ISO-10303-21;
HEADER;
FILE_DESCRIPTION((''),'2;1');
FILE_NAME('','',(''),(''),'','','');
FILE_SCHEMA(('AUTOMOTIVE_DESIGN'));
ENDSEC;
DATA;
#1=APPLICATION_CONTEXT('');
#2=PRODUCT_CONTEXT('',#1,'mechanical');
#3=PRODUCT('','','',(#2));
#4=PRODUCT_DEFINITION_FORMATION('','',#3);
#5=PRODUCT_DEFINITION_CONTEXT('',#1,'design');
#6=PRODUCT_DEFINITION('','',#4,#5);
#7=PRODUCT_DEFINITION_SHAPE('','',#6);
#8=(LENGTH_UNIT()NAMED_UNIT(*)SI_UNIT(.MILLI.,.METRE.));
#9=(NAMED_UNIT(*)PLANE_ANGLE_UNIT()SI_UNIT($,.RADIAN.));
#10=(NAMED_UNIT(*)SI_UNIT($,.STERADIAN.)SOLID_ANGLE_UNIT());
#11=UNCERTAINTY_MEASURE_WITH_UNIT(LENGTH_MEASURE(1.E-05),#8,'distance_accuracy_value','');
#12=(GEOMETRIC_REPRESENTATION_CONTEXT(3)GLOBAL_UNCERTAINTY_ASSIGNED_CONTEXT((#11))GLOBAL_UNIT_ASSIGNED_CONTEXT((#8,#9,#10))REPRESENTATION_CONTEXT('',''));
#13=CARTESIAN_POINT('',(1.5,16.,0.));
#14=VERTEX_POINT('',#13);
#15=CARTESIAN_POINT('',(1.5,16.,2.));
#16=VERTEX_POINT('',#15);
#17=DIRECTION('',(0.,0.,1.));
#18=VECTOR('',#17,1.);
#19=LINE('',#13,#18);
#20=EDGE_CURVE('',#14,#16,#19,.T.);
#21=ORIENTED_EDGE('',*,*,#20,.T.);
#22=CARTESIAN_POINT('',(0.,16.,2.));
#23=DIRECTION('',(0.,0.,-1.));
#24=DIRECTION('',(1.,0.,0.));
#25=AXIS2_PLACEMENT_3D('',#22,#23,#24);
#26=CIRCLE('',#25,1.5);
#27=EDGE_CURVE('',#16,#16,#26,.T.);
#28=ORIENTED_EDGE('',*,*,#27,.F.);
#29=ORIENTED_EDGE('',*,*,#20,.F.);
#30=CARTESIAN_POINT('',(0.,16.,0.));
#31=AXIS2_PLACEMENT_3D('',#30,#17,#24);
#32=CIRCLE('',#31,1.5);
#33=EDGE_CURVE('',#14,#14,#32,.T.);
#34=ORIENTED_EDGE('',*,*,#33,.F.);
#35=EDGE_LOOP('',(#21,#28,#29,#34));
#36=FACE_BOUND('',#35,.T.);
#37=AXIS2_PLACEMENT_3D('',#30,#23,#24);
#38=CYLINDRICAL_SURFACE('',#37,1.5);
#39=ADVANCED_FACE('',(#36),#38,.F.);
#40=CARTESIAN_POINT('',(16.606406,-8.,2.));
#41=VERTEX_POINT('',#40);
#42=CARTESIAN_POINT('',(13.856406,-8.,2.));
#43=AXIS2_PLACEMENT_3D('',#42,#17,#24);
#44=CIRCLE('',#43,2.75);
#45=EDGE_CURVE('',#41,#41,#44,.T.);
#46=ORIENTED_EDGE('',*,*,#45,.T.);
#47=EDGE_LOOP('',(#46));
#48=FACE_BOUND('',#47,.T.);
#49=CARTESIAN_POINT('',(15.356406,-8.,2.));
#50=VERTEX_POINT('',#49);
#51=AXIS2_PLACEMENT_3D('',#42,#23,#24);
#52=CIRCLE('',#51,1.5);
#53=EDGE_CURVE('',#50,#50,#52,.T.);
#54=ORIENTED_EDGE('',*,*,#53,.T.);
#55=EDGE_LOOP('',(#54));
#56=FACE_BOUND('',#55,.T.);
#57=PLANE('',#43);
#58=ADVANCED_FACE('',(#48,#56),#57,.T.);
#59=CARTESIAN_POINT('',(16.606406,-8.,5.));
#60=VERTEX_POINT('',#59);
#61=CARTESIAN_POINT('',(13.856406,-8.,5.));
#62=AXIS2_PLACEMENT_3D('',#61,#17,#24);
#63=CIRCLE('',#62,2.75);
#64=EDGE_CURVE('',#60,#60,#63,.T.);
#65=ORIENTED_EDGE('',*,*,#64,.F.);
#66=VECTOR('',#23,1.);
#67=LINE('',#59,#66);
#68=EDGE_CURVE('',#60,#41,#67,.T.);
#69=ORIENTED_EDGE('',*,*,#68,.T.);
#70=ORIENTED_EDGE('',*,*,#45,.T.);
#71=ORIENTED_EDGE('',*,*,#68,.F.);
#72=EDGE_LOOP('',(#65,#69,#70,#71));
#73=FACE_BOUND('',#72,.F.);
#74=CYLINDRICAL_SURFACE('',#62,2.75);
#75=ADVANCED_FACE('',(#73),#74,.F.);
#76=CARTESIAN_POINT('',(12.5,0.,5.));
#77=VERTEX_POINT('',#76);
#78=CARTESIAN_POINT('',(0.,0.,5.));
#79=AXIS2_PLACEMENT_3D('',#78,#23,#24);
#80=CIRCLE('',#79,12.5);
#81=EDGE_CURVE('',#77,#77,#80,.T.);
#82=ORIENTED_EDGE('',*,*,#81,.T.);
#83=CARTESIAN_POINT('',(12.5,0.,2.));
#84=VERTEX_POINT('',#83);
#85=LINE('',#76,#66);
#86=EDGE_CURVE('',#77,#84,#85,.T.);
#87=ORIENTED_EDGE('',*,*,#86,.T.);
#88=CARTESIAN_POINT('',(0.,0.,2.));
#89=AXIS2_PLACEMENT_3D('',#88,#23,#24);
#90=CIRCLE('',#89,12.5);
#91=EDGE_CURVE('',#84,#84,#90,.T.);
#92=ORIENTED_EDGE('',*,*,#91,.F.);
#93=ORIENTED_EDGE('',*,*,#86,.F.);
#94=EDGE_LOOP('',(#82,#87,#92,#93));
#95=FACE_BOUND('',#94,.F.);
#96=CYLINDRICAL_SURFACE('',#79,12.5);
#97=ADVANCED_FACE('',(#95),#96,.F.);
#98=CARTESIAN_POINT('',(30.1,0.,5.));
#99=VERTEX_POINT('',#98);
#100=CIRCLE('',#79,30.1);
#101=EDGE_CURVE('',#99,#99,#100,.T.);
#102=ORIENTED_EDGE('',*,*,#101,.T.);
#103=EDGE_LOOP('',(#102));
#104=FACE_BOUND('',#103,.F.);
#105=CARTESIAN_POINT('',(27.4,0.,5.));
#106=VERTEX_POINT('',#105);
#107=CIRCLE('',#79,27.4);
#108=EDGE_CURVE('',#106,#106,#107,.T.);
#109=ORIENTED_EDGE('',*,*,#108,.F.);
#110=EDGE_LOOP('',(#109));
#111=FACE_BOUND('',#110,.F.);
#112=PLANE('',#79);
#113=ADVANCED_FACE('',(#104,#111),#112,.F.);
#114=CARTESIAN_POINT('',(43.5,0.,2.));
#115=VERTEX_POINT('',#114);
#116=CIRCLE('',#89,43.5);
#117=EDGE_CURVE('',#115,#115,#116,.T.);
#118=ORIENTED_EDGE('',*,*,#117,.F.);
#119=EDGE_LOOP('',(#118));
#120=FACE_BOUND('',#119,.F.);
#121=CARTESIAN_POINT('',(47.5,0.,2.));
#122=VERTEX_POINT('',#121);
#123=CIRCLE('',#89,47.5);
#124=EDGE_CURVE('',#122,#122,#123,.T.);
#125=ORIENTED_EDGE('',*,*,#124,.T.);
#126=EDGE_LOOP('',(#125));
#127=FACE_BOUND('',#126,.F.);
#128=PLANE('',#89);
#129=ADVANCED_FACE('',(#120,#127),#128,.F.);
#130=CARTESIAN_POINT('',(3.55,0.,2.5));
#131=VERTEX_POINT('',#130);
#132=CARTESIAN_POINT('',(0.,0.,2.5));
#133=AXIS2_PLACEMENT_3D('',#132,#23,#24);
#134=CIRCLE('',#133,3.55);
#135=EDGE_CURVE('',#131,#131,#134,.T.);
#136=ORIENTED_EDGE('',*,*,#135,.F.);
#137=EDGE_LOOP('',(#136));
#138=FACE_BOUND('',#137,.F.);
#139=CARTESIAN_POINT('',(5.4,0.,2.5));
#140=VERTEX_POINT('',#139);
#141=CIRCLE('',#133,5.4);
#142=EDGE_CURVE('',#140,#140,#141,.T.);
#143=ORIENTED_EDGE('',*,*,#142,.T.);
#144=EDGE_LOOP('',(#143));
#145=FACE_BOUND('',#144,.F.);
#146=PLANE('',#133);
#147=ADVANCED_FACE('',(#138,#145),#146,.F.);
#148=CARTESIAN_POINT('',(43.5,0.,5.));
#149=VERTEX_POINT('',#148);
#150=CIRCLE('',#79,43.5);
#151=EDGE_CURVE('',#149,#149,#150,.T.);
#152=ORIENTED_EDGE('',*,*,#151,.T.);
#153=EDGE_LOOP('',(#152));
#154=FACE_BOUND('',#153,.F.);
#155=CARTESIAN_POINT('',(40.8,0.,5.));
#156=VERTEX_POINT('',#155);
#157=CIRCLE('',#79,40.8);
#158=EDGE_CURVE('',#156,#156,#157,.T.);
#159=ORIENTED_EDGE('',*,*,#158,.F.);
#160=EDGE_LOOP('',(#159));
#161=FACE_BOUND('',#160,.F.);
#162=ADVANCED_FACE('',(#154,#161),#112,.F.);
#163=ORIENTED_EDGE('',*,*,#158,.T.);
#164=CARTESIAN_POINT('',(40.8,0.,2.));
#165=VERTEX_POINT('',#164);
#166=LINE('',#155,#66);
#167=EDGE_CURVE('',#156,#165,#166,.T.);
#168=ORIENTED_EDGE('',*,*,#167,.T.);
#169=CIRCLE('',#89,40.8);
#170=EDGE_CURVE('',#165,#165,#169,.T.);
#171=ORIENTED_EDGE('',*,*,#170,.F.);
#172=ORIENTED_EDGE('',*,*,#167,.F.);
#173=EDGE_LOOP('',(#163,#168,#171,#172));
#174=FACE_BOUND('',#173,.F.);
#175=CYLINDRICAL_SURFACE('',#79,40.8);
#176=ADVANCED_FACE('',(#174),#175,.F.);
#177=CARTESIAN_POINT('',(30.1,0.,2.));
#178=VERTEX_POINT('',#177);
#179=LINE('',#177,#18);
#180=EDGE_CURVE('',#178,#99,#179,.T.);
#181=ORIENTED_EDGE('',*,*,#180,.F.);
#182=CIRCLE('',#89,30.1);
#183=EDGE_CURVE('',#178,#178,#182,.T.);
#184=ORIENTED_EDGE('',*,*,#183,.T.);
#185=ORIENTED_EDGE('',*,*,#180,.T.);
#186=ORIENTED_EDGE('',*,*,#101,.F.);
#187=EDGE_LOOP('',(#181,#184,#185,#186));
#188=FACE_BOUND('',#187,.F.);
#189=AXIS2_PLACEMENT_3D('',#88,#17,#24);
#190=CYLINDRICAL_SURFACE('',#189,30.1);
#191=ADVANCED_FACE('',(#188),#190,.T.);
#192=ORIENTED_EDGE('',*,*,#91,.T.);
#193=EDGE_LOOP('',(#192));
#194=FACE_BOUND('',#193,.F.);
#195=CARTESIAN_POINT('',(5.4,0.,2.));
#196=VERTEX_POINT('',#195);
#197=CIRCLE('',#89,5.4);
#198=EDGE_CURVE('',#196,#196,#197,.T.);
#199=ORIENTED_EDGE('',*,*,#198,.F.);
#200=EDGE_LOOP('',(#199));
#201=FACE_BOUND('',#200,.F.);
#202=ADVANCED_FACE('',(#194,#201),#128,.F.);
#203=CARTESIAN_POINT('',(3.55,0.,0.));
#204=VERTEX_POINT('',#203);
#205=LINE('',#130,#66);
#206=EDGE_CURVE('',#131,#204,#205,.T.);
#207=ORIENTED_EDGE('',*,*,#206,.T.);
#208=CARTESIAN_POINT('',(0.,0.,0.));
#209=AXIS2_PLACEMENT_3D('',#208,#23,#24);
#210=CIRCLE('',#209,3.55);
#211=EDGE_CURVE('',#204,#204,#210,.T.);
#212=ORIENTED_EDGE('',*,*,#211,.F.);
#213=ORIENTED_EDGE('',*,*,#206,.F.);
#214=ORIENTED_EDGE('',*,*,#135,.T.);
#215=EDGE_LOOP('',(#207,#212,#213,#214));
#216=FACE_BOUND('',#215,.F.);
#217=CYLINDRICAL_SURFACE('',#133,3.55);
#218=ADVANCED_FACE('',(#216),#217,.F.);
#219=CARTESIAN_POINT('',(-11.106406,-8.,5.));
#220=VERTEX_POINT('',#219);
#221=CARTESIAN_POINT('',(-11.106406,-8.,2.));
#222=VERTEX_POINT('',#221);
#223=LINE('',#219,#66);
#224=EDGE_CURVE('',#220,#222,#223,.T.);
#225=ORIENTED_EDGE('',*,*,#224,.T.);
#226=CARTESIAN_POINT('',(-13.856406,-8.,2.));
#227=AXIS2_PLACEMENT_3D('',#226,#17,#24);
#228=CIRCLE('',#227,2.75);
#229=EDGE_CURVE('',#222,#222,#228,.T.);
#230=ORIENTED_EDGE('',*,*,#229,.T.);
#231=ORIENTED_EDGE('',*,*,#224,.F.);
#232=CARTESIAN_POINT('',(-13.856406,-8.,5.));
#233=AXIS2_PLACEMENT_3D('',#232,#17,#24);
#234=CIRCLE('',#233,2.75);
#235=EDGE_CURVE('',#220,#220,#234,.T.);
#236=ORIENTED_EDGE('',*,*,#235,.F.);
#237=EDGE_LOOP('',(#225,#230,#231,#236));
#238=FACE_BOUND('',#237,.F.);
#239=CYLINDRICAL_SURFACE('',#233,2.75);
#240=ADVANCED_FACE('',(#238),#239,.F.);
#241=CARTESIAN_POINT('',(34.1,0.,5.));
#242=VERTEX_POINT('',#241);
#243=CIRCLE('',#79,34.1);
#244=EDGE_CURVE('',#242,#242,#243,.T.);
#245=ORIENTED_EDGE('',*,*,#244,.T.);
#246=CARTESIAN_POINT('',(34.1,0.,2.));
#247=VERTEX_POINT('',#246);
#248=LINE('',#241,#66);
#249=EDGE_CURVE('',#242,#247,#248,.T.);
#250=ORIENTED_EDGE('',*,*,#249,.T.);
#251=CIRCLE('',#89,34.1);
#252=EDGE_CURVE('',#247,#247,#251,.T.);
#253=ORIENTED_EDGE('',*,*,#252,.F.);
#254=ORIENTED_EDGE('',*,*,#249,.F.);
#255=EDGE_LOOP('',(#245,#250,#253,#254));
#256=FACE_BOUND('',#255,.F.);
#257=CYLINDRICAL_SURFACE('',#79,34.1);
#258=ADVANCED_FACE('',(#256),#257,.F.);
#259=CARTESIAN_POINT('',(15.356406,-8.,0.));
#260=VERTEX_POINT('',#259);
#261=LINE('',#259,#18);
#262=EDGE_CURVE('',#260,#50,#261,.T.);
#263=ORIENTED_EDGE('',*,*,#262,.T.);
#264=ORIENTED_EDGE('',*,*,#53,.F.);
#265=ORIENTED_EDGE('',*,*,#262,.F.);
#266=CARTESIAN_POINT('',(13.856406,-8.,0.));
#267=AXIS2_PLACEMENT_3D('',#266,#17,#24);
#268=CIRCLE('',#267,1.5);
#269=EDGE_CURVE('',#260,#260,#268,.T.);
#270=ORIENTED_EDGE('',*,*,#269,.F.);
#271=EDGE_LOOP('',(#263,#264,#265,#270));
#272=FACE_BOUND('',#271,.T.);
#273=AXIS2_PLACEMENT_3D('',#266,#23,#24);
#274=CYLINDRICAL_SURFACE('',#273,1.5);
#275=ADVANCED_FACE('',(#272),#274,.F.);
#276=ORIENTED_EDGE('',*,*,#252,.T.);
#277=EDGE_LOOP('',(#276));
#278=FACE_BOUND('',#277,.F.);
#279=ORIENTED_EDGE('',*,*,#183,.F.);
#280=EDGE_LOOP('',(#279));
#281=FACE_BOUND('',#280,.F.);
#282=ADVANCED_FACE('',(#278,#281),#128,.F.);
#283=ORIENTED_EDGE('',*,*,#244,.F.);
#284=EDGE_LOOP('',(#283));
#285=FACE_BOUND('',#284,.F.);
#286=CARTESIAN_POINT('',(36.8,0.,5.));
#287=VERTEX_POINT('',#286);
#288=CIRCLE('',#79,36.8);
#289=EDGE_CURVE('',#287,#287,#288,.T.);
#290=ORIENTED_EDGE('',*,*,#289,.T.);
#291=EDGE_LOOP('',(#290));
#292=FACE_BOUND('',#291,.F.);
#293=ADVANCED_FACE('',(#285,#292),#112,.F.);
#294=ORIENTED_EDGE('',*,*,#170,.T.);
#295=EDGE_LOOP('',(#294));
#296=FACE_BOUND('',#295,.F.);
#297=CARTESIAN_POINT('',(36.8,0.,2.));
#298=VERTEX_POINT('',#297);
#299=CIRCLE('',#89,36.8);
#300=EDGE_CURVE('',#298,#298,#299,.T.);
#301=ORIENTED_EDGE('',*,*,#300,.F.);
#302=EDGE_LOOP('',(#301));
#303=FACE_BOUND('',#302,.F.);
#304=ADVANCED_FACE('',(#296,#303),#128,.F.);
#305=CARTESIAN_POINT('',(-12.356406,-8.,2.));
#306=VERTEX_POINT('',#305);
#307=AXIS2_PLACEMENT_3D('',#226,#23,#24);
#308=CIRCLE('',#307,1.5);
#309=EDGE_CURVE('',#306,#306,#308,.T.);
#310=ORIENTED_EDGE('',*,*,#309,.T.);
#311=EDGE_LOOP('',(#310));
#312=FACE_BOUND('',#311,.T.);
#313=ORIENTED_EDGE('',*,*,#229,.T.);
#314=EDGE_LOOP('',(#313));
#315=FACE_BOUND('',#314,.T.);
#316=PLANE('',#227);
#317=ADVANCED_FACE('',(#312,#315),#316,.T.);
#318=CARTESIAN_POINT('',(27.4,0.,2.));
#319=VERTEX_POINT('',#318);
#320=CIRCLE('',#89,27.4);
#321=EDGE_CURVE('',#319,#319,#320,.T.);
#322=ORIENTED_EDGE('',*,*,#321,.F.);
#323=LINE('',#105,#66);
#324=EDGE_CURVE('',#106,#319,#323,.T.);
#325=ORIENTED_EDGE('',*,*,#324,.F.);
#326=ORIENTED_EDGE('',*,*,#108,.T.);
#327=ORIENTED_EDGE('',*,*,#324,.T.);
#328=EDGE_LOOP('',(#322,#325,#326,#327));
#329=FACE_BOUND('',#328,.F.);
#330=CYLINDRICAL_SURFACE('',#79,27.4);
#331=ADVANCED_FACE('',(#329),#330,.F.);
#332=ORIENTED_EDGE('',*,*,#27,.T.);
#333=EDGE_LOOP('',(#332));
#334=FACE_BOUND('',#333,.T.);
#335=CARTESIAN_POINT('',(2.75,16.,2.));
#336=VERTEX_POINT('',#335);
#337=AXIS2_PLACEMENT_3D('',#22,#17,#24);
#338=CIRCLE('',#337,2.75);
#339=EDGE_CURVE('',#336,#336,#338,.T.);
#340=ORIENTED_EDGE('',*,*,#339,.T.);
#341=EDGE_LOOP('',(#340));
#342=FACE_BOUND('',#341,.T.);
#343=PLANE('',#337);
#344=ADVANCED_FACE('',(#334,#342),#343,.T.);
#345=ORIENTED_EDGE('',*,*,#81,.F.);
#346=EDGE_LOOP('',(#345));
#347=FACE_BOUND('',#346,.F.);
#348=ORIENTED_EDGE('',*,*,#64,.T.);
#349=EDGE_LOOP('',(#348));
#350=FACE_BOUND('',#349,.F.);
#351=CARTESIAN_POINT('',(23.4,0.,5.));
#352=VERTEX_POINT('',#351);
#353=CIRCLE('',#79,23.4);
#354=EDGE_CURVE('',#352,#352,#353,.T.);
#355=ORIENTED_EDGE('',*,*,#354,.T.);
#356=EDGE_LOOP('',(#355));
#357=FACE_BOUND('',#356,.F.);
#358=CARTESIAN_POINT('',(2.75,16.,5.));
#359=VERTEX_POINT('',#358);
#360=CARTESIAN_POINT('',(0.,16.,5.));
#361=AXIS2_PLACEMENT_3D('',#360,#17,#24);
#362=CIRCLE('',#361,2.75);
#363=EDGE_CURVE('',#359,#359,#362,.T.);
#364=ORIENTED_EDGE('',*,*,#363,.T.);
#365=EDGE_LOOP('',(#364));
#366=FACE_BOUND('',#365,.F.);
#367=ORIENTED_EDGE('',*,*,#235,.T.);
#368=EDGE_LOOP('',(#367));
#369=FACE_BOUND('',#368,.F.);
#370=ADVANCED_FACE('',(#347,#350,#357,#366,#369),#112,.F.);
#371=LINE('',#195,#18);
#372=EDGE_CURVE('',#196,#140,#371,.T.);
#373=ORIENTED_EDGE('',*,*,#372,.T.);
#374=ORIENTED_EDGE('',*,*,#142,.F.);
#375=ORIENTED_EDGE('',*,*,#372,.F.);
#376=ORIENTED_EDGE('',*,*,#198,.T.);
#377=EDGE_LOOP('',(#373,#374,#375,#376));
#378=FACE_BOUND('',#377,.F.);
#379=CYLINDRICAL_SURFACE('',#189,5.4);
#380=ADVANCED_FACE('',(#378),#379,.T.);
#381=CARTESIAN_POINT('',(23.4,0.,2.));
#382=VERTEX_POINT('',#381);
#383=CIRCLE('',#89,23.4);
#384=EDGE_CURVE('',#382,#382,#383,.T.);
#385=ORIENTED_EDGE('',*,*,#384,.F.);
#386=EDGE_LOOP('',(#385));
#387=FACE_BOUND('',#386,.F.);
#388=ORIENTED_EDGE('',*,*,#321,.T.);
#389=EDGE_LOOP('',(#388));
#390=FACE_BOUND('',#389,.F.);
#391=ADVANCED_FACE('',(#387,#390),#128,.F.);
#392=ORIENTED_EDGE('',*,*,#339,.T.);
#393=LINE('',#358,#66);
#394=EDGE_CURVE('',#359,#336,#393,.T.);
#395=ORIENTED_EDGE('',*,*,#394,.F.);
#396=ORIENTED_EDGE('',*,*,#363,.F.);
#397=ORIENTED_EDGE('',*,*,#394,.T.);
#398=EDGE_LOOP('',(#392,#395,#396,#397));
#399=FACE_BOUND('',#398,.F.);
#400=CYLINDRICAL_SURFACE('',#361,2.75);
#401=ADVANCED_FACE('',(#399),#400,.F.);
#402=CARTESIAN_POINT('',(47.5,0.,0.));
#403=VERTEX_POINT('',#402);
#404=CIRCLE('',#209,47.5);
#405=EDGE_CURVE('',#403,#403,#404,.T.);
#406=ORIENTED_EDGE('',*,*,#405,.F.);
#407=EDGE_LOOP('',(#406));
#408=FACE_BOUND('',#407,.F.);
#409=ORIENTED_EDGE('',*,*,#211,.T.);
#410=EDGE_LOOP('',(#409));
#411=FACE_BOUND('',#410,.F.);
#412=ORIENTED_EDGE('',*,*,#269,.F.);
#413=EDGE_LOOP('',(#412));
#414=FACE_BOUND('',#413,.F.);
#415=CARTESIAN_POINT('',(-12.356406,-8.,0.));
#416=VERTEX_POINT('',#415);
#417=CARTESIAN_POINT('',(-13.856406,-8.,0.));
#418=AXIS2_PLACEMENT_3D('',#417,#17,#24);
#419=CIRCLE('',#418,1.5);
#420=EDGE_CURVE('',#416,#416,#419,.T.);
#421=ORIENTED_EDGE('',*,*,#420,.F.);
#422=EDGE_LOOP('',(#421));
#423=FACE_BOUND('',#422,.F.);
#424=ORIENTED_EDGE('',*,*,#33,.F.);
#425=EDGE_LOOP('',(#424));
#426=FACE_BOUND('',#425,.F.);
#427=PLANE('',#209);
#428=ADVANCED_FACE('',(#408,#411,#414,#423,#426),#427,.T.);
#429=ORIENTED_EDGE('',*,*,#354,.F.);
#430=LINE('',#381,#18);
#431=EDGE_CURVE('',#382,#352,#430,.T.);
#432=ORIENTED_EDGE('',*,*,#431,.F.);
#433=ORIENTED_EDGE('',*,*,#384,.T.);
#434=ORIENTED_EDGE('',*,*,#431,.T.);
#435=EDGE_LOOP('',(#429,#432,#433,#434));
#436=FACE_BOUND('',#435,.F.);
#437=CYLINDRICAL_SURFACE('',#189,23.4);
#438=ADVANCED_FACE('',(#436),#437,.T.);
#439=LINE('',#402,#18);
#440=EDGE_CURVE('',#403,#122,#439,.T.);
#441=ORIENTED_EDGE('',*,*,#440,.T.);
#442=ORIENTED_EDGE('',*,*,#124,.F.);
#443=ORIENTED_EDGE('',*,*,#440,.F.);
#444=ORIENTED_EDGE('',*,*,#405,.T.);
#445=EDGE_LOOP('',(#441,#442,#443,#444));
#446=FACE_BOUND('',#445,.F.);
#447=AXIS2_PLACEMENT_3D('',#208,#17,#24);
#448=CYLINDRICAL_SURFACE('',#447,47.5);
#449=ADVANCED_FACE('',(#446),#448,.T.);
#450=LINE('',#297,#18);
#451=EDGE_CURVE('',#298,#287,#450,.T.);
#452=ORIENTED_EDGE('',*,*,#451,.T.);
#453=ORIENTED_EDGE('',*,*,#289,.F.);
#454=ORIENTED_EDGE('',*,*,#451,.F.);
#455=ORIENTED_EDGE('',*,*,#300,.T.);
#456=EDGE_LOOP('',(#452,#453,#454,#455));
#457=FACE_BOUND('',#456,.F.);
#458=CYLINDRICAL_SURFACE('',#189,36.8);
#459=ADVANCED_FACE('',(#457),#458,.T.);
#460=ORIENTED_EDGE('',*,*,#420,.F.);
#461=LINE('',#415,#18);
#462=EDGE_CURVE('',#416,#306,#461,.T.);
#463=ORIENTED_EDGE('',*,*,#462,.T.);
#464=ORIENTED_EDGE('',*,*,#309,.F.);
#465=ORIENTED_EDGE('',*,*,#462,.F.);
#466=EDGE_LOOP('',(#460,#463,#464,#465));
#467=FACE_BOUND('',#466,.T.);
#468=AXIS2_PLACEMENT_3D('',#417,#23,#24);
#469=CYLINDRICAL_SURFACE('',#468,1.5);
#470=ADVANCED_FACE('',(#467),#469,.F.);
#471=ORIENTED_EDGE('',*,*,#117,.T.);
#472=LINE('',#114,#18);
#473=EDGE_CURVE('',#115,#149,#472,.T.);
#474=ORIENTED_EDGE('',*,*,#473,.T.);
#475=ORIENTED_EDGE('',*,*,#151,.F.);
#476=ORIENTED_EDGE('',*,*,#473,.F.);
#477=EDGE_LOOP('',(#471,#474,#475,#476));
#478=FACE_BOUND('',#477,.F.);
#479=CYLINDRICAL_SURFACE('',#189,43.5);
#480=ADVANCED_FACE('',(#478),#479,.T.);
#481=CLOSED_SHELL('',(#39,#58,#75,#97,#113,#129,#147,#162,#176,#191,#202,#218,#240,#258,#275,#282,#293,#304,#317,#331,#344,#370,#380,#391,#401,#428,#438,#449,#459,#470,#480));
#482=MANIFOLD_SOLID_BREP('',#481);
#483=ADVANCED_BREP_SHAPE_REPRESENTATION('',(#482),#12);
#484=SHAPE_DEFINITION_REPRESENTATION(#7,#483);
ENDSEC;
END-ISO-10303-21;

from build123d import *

# Parameters (mm, degrees)
F2_R     = 1.5
F3_DEPTH = 5.001
F4_R     = 2.75
F5_DEPTH = 3


with BuildPart() as f1:
    # F0 (on Front) → F1 (revolve)
    with BuildSketch(Plane.XZ):
        Polygon((3.55, 2.5), (3.55, 0), (47.5, 0), (47.5, 2), (43.5, 2), (43.5, 5), (40.8, 5), (40.8, 2), (36.8, 2), (36.8, 5), (34.1, 5), (34.1, 2), (30.1, 2), (30.1, 5), (27.4, 5), (27.4, 2), (23.4, 2), (23.4, 5), (12.5, 5), (12.5, 2), (5.4, 2), (5.4, 2.5), align=None)
    revolve(axis=Axis((0, 0, 0.333373), (0, 0, -1)))

    # F2 (on Top) → F3 (cut, through all)
    with BuildSketch(Plane.XY):
        with Locations((0, 16)):
            Circle(F2_R)
        with Locations((-13.856406, -8)):
            Circle(F2_R)
        with Locations((13.856406, -8)):
            Circle(F2_R)
    extrude(amount=F3_DEPTH, mode=Mode.SUBTRACT)

    # F4 (on face) → F5 (cut)
    with BuildSketch(Plane.XY.offset(5)):
        with Locations((0, 16)):
            Circle(F4_R)
        with Locations((-13.856406, -8)):
            Circle(F4_R)
        with Locations((13.856406, -8)):
            Circle(F4_R)
    extrude(amount=-F5_DEPTH, mode=Mode.SUBTRACT)


solid = f1.part
